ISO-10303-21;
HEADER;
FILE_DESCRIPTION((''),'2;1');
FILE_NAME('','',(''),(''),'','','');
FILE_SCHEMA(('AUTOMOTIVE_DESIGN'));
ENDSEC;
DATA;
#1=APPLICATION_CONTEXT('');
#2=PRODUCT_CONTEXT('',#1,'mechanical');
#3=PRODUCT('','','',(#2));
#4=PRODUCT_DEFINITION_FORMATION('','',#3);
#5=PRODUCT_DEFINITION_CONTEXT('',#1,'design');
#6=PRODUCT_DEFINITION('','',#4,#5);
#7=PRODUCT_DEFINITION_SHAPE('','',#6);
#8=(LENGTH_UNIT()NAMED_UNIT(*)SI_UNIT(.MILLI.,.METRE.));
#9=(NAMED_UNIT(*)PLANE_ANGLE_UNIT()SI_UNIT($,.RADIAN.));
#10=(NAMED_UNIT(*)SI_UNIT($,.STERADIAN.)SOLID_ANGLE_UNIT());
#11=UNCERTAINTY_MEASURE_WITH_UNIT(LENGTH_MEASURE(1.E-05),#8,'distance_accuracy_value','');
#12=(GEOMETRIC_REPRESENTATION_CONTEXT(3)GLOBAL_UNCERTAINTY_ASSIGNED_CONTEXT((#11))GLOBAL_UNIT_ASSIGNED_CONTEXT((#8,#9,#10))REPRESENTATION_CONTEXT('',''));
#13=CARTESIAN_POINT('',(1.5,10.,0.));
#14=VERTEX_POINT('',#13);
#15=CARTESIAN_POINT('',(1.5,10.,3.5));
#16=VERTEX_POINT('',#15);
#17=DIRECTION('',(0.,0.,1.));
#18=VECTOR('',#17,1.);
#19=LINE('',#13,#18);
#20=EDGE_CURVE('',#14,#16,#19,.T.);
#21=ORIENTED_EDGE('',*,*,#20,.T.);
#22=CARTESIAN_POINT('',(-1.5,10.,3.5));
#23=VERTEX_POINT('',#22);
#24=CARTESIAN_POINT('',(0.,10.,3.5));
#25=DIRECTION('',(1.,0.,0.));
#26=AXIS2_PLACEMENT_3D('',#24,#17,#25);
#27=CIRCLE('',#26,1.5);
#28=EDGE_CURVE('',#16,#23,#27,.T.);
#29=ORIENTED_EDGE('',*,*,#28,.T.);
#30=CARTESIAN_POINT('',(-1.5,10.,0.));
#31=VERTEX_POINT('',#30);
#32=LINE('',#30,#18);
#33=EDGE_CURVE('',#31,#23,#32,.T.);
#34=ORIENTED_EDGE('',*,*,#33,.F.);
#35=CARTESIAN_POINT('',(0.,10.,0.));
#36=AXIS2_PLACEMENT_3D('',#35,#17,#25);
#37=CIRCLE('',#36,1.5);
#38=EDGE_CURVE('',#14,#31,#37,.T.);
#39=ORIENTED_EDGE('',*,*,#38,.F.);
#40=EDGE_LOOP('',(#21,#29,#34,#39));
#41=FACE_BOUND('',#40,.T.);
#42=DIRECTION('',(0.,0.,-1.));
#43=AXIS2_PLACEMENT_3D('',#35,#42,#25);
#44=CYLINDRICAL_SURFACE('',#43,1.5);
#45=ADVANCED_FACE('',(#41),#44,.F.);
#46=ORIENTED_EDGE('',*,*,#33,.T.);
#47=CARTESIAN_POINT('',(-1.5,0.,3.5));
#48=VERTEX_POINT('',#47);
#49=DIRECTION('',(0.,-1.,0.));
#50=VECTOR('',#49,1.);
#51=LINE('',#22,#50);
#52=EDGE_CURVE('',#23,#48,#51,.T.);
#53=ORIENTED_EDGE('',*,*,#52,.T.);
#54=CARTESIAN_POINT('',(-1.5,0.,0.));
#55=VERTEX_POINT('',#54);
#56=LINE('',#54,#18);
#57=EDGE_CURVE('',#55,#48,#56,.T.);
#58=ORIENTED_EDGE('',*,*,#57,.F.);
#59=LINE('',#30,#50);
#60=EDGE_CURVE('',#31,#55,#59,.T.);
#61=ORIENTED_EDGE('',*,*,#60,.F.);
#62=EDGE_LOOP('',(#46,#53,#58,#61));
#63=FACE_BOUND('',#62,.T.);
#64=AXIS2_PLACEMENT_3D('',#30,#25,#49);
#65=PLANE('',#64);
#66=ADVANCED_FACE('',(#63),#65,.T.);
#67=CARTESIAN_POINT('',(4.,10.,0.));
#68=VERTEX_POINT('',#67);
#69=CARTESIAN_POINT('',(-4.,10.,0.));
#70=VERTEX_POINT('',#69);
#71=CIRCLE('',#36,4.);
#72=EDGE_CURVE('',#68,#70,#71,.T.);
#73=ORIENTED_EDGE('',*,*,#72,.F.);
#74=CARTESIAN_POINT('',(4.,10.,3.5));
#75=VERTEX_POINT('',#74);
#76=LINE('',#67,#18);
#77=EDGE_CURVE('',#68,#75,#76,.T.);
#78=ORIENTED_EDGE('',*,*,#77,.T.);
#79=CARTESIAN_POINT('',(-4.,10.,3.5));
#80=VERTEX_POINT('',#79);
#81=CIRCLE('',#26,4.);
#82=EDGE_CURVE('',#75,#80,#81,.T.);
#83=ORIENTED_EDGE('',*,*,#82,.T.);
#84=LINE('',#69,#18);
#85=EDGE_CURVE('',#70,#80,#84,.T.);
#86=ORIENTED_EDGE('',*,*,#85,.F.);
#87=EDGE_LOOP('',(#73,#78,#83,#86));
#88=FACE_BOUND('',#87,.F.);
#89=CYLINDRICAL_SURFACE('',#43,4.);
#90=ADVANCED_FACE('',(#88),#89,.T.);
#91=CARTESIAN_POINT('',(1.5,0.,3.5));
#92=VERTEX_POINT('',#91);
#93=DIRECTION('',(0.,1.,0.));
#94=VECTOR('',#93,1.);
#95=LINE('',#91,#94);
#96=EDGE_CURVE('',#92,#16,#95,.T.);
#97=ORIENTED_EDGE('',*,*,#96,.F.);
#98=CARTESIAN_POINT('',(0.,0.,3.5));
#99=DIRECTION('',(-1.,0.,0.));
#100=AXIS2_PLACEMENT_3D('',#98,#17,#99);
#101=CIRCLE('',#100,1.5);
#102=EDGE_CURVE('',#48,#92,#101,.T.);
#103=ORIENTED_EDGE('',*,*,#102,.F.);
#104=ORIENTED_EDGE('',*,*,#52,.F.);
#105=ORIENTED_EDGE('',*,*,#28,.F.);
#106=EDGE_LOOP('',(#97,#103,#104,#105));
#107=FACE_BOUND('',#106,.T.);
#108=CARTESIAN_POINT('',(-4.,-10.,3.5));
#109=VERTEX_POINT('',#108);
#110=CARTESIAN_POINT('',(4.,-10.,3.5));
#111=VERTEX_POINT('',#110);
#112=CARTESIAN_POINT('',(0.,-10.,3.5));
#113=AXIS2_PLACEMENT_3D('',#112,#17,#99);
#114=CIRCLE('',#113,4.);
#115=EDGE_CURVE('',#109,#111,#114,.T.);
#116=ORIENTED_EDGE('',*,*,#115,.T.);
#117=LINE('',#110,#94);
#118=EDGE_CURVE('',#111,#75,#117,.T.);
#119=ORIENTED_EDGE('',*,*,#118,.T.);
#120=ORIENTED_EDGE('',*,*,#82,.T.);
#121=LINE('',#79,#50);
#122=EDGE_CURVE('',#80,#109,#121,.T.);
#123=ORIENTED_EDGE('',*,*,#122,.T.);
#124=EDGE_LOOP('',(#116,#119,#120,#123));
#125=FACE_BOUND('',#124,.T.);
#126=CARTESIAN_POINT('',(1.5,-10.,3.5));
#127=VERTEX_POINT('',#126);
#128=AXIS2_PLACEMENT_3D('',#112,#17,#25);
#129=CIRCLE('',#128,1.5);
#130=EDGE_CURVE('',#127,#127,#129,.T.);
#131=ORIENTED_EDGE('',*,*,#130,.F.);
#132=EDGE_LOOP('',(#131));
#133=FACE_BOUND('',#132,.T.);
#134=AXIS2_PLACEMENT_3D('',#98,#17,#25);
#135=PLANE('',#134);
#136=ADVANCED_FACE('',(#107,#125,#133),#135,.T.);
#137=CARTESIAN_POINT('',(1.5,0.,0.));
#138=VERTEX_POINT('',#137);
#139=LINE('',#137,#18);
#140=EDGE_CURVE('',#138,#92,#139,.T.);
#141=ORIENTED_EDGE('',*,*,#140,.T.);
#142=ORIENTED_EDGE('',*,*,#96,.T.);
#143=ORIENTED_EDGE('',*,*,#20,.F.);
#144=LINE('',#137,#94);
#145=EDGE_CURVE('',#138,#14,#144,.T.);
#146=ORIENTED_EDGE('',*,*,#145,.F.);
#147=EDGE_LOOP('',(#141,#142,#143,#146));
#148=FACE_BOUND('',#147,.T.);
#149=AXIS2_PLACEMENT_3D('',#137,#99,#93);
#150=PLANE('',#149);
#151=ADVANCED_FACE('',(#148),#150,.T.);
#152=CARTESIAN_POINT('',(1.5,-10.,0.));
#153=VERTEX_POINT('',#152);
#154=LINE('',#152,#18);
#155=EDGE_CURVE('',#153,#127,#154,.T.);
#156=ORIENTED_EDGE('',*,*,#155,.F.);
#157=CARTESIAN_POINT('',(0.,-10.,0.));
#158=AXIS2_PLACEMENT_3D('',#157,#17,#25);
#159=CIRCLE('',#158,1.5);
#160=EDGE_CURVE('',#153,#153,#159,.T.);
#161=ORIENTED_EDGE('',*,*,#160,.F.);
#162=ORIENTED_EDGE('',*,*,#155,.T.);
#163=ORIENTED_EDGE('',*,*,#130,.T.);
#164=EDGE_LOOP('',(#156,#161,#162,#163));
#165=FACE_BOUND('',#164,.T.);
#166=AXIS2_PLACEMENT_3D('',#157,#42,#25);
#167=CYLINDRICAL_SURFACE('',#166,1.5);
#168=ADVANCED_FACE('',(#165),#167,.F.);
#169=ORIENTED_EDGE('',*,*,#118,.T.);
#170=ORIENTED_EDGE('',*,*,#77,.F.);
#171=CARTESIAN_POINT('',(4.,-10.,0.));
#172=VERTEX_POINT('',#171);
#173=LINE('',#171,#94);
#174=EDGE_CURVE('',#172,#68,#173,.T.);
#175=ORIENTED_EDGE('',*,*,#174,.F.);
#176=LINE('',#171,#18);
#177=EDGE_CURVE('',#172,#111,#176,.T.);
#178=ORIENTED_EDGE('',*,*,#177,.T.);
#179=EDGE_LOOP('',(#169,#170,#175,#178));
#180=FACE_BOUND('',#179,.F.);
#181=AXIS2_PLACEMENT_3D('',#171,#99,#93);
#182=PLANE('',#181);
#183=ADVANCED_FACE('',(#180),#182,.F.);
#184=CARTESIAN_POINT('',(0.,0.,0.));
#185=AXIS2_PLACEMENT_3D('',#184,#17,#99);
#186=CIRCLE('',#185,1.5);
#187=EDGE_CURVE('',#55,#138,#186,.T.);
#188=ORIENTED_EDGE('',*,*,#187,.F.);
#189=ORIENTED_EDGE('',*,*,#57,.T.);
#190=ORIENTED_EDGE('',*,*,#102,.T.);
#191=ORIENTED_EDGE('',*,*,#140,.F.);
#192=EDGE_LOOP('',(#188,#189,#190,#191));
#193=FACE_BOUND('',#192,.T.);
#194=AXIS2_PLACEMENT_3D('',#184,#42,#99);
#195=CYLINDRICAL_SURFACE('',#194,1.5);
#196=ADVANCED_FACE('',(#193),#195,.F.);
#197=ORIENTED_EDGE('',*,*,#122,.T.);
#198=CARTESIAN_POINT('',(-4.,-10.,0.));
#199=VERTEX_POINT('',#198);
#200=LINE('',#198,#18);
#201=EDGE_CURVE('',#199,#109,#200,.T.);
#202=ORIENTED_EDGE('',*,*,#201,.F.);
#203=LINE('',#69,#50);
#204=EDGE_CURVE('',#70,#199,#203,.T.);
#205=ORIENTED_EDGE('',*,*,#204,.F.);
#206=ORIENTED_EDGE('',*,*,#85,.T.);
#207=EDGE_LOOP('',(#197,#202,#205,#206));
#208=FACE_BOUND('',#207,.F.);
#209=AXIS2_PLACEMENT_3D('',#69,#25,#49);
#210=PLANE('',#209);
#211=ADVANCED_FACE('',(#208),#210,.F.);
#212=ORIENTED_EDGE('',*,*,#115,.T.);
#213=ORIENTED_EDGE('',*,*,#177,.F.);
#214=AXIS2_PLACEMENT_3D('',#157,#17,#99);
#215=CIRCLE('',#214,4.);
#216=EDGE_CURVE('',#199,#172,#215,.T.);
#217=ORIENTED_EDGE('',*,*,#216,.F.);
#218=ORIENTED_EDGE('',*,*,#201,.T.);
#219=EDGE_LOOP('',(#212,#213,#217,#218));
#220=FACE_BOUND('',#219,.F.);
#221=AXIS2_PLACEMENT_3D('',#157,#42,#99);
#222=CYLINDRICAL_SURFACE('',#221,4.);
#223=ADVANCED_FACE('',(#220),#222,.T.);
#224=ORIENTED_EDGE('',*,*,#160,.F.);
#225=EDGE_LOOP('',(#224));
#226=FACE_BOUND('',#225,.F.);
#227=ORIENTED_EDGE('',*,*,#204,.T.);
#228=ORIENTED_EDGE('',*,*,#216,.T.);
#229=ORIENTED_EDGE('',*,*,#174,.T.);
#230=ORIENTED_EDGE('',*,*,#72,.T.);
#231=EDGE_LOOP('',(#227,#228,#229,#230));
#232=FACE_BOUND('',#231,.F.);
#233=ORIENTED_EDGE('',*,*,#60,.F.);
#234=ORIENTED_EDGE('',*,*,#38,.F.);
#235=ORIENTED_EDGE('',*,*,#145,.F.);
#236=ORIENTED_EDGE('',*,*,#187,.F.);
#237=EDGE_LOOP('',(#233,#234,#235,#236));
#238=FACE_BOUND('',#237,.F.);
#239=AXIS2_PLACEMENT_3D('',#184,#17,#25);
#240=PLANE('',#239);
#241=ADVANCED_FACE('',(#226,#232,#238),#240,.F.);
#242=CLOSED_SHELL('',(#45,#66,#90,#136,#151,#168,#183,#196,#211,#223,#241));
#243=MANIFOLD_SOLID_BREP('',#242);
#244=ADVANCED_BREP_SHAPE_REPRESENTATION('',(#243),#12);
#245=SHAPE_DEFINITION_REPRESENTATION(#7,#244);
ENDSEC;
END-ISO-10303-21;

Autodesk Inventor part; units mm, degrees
ref_plane "YZ Plane" through (0, 0, 0) normal (1, 0, 0) x (0, 1, 0)
ref_plane "XZ Plane" through (0, 0, 0) normal (0, 1, 0) x (-1, 0, 0)
ref_plane "XY Plane" through (0, 0, 0) normal (0, 0, 1) x (1, 0, 0)
sketch "Sketch1" plane through (0, 0, 0) normal (0, 0, 1) x (1, 0, 0)
  line L0 (0, 10) -> (0, -10) construction
  line L1 (-4, 10) -> (-4, -10)
  line L2 (4, -10) -> (4, 10)
  arc A0 (4, 10) -> (-4, 10) centre (0, 10) ccw
  arc A1 (-4, -10) -> (4, -10) centre (0, -10) ccw
  circle A2 centre (0, -10) radius 1.5
  line L3 (0, 0) -> (0, 10) construction
  line L4 (1.5, 0) -> (1.5, 10)
  line L5 (-1.5, 10) -> (-1.5, 0)
  arc A3 (-1.5, 0) -> (1.5, 0) centre (0, 0) ccw
  arc A4 (1.5, 10) -> (-1.5, 10) centre (0, 10) ccw
  point P0 (0, 0)
  point P1 (0, 5)
  dimension "d0" = 10
  dimension "d1" = 8
  dimension "d2" = 3
  dimension "d3" = 5
  dimension "d4" = 3
  dimension "d5" = 5
extrude "Extrusion1" add sketch "Sketch1" along normal blind 3.5
properties part number "3DP_PLA_Part_Detector_Mounting_Bracket_Short" material "ABS Plastic"
